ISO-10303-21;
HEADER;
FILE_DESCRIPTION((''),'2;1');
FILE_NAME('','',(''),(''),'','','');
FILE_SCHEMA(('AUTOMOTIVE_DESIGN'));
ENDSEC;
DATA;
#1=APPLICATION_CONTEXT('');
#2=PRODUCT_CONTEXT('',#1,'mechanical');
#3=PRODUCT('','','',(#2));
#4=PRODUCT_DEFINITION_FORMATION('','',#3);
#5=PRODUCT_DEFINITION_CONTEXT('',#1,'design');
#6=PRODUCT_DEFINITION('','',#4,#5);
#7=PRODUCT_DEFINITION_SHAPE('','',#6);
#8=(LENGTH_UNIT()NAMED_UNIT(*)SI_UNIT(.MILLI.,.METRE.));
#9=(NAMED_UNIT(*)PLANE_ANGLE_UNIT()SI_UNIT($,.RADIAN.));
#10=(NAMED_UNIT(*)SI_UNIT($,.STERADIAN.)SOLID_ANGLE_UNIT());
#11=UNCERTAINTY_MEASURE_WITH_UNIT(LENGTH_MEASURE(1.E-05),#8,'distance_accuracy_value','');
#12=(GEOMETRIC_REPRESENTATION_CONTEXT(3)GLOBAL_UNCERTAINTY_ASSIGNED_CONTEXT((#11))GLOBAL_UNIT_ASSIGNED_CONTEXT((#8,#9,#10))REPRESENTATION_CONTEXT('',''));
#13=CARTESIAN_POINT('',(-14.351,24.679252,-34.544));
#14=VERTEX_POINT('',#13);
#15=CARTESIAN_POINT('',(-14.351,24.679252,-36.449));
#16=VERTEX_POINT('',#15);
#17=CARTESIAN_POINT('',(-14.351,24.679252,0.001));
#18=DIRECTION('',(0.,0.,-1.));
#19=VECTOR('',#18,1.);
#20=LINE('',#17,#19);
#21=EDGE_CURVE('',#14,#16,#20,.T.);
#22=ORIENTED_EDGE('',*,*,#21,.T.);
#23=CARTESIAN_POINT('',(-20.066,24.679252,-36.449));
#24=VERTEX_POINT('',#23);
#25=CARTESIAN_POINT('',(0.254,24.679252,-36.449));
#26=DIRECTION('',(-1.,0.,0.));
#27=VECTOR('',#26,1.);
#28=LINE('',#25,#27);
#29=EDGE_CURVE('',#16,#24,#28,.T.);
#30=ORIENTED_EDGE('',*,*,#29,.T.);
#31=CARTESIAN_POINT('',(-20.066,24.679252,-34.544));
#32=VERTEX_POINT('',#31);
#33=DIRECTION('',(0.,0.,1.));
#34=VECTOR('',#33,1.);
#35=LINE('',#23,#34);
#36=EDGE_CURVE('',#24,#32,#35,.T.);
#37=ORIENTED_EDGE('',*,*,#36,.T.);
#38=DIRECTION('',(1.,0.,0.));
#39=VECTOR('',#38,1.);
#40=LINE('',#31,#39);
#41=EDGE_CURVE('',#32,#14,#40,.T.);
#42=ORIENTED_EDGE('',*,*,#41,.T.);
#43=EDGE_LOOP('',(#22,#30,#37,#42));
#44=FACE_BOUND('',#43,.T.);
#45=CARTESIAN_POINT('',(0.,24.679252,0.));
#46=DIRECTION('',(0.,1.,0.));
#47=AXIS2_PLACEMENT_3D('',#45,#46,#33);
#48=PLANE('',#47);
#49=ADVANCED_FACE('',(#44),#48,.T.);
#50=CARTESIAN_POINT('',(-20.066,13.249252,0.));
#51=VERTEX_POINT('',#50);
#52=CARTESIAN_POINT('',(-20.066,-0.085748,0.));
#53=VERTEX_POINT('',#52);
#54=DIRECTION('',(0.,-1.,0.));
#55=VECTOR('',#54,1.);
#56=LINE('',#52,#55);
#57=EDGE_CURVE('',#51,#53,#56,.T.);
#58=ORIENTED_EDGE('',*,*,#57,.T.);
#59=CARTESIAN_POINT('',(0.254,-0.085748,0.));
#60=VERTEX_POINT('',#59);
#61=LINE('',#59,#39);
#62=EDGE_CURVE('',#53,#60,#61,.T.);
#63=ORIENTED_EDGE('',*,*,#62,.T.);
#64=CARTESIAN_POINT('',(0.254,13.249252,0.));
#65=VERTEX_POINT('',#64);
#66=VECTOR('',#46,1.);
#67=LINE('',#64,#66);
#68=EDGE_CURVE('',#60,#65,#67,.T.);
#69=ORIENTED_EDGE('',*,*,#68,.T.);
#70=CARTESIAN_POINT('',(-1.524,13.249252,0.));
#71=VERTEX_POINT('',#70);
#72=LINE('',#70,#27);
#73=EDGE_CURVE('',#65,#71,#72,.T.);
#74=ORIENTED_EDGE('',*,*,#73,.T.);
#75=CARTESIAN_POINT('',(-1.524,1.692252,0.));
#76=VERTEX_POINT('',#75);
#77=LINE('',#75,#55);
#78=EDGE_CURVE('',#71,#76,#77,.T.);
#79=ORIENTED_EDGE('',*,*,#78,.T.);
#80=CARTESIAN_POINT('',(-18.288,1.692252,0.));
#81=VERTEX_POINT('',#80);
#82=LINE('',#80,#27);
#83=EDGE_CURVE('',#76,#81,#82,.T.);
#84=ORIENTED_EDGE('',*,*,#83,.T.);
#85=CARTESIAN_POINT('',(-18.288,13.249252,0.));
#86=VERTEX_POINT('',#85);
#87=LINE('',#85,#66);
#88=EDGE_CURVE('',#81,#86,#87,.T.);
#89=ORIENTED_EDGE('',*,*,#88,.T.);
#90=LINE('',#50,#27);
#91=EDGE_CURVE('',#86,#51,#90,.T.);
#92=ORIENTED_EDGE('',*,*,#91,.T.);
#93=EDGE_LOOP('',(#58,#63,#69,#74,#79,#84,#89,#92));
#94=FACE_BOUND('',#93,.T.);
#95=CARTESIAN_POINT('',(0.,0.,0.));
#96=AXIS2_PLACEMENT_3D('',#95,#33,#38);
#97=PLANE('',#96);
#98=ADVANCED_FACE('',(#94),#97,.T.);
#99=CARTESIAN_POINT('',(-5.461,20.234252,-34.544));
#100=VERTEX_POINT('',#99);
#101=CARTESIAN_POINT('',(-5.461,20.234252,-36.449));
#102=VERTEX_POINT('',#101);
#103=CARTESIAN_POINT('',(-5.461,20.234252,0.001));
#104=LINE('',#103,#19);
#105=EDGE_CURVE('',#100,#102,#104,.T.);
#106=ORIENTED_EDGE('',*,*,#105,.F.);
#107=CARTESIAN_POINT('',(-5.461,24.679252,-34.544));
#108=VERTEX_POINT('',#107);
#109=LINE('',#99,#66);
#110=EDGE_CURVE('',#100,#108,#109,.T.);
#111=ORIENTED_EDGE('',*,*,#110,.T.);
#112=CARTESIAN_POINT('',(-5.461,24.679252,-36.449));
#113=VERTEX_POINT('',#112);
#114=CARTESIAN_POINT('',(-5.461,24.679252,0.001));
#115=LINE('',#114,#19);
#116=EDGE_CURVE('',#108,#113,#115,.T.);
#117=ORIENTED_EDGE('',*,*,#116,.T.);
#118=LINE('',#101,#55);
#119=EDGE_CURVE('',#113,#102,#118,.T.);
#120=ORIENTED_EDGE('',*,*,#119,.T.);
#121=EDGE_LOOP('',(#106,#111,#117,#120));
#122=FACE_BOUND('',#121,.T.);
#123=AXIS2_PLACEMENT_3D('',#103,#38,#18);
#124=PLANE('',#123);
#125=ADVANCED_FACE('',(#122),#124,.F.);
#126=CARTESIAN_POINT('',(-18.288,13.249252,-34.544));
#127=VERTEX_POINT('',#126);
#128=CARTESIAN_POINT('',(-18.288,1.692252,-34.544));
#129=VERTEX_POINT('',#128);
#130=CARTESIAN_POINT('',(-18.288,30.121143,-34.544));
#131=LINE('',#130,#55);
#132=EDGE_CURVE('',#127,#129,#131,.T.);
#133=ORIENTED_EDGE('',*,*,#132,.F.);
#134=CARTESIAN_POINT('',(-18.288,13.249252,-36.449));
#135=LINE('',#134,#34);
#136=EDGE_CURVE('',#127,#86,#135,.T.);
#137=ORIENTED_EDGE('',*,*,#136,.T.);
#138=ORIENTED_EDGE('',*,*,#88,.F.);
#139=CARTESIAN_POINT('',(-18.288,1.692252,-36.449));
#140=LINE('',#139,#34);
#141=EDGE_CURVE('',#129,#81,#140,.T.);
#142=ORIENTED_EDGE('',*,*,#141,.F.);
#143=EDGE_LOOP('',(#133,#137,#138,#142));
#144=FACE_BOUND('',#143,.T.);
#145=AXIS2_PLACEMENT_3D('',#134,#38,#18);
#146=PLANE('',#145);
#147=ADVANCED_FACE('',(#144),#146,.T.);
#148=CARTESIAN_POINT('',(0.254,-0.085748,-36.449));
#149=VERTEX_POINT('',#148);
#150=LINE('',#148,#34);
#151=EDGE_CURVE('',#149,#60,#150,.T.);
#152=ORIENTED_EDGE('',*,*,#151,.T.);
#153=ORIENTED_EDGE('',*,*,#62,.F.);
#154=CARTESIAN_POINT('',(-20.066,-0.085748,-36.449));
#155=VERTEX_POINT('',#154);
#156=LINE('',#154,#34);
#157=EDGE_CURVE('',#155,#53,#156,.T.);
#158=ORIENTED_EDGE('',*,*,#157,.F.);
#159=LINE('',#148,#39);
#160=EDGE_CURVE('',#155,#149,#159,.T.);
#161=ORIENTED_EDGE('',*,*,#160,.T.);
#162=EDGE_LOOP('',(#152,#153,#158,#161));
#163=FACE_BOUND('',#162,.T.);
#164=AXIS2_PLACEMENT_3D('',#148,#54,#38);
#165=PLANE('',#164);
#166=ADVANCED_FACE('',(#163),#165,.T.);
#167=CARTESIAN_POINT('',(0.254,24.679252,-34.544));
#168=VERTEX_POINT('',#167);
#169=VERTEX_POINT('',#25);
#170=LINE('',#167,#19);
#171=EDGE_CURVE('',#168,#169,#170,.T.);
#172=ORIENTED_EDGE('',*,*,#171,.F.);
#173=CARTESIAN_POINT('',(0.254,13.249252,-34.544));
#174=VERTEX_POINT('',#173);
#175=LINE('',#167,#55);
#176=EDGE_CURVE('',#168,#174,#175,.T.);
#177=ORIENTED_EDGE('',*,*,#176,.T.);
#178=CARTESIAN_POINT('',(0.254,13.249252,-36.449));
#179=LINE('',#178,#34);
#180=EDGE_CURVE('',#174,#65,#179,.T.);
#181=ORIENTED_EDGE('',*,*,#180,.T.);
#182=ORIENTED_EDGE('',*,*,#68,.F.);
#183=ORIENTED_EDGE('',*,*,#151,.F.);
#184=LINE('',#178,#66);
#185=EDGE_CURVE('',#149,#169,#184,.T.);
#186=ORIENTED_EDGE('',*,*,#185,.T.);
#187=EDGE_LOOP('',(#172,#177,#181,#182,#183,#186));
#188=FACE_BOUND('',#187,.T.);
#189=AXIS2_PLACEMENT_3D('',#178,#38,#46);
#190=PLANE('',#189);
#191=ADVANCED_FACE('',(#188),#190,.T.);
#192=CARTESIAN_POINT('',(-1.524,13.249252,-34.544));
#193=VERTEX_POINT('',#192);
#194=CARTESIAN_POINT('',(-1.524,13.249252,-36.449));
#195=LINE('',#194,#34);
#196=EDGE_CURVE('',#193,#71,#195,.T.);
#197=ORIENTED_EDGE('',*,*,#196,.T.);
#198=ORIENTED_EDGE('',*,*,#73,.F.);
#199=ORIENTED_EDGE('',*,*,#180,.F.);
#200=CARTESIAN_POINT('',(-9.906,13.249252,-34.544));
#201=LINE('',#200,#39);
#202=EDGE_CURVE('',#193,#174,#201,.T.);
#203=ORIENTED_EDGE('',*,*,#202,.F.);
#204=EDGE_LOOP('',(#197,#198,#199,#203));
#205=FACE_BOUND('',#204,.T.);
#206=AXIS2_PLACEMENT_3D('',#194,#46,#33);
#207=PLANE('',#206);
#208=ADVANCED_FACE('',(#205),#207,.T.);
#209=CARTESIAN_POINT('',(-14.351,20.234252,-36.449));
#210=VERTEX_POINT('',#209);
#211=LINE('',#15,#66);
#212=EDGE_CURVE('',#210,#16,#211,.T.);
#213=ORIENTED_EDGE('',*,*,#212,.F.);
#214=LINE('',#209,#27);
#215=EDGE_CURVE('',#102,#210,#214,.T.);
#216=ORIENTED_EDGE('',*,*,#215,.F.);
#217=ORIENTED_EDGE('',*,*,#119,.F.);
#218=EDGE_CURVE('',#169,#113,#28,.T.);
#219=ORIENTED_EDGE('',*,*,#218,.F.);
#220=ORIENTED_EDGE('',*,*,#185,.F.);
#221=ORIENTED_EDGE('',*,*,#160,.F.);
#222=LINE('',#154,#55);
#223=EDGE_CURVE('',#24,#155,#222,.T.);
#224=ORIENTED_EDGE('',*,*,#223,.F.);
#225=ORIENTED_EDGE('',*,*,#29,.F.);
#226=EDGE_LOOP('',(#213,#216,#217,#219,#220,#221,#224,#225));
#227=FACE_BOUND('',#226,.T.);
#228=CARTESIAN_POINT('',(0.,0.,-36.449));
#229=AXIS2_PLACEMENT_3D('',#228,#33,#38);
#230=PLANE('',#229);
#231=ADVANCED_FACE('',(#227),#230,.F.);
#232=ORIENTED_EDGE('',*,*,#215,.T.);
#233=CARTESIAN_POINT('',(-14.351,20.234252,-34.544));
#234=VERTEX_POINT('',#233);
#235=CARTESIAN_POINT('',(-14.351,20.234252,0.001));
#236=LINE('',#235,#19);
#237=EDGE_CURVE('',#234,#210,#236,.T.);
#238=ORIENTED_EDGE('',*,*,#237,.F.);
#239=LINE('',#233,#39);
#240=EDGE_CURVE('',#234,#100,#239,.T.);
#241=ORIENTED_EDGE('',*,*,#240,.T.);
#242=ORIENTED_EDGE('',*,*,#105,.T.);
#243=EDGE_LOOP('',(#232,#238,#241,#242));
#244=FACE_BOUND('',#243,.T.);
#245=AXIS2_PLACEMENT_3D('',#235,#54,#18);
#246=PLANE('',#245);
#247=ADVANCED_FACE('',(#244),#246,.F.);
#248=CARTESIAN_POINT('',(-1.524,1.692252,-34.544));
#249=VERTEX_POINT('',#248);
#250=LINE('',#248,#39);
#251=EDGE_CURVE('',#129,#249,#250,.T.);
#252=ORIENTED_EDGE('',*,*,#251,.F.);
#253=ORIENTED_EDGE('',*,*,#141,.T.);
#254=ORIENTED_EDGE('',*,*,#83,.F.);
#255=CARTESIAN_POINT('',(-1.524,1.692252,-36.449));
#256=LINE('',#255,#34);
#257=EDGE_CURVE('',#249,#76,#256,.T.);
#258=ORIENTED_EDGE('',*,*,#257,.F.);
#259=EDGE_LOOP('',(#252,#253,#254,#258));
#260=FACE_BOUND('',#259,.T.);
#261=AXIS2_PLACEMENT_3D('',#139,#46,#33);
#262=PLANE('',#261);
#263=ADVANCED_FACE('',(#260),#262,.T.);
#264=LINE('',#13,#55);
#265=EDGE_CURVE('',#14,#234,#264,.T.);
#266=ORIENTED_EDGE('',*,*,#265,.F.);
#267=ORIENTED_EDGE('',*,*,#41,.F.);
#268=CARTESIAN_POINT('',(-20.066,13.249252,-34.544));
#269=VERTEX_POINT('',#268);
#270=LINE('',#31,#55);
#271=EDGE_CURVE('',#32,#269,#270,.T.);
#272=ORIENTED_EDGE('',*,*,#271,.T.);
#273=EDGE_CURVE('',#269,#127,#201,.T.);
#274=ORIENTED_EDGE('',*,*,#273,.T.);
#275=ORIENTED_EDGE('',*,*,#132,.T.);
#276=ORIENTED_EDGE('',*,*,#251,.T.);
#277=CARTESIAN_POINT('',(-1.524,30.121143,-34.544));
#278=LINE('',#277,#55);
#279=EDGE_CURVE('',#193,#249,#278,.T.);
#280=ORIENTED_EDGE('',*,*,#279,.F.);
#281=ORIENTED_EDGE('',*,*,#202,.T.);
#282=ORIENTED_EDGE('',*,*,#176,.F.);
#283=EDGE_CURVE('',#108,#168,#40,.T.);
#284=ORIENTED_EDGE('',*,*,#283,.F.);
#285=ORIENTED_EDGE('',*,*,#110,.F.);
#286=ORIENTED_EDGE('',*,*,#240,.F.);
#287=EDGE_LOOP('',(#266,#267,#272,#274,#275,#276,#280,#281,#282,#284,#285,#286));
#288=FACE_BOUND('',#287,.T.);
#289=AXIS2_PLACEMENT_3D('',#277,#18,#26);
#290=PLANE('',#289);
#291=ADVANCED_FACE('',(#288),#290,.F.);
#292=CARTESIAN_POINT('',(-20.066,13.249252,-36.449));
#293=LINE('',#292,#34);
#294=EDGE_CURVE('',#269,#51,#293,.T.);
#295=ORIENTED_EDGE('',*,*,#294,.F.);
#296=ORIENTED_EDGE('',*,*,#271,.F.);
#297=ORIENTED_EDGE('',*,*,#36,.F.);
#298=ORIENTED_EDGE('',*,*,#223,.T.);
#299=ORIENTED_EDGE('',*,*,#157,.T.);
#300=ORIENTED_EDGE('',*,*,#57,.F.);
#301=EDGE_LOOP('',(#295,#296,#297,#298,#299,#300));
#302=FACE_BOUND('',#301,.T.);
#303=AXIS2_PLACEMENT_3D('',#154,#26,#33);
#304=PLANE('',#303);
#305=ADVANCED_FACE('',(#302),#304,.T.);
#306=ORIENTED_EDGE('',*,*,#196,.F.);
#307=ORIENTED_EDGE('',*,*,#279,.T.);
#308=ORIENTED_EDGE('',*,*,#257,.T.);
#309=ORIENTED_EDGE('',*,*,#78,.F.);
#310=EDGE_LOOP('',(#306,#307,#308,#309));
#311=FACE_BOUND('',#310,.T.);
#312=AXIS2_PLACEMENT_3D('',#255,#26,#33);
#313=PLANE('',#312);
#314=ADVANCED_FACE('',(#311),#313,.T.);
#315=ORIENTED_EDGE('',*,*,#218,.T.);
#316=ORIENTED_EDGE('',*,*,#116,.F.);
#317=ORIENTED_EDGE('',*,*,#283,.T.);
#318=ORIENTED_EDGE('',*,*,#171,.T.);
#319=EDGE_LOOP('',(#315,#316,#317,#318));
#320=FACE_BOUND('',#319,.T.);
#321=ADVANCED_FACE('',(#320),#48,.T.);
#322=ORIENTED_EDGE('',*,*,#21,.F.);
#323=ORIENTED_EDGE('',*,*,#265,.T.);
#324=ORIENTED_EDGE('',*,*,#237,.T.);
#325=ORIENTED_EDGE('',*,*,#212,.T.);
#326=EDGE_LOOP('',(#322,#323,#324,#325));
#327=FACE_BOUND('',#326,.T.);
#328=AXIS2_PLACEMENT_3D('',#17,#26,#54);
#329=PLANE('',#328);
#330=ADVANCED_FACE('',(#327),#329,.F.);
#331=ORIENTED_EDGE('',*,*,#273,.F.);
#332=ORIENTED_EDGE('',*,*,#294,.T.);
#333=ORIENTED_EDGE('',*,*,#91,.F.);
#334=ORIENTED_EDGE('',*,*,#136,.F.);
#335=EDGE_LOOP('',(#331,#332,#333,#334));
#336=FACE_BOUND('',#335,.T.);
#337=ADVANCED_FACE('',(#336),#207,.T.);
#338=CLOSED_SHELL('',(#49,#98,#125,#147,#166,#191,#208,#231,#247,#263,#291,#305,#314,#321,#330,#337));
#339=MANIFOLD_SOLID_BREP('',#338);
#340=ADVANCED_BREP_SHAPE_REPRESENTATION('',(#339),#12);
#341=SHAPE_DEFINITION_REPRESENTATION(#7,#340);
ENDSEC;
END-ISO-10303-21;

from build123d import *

# Parameters (mm, degrees)
BOSS_EXTRUDE1_DEPTH = 36.449
SKETCH3_W           = 16.764
SKETCH3_H           = 1.905
BOSS_EXTRUDE3_DEPTH = 11.557
BOSS_EXTRUDE4_DEPTH = 11.43
CUT_EXTRUDE1_REACH  = 38.449


with BuildPart() as part:
    # Sketch1 → Boss-Extrude1 (new body)
    with BuildSketch(Plane.XY):
        Polygon((-1.524, 1.692251565), (-1.524, 13.249251565), (0.254, 13.249251565), (0.254, -0.085748435), (-20.066, -0.085748435), (-20.066, 13.249251565), (-18.288, 13.249251565), (-18.288, 1.692251565), align=None)
    extrude(amount=-BOSS_EXTRUDE1_DEPTH)

    # Sketch3 → Boss-Extrude3 (add)
    with BuildSketch(Plane(origin=(0, 1.692251565, 0), x_dir=(1, 0, 0), z_dir=(0, 1, 0))):
        with Locations((-9.906, 35.4965)):
            Rectangle(SKETCH3_W, SKETCH3_H)
    extrude(amount=BOSS_EXTRUDE3_DEPTH)

    # Sketch4 → Boss-Extrude4 (add)
    with BuildSketch(Plane(origin=(0, 13.249251565, 0), x_dir=(1, 0, 0), z_dir=(0, 1, 0))):
        Polygon((-9.906, 34.544), (0.254, 34.544), (0.254, 36.449), (-20.066, 36.449), (-20.066, 34.544), align=None)
    extrude(amount=BOSS_EXTRUDE4_DEPTH)

    # Sketch5 → Cut-Extrude1 (cut, up to next)
    with BuildSketch(Plane(origin=(0, 0, -36.449), x_dir=(-1, 0, 0), z_dir=(0, 0, -1)), mode=Mode.PRIVATE) as cut_extrude1_sk1:
        Polygon((9.906, 24.679251565), (14.351, 24.679251565), (14.351, 20.234251565), (5.461, 20.234251565), (5.461, 24.679251565), align=None)
    cut_extrude1_tool1 = extrude(cut_extrude1_sk1.sketch, amount=-CUT_EXTRUDE1_REACH, mode=Mode.PRIVATE) & part.part
    add(cut_extrude1_tool1.solids().sort_by_distance((-9.906, 22.456752, -36.449))[0], mode=Mode.SUBTRACT)


solid = part.part
